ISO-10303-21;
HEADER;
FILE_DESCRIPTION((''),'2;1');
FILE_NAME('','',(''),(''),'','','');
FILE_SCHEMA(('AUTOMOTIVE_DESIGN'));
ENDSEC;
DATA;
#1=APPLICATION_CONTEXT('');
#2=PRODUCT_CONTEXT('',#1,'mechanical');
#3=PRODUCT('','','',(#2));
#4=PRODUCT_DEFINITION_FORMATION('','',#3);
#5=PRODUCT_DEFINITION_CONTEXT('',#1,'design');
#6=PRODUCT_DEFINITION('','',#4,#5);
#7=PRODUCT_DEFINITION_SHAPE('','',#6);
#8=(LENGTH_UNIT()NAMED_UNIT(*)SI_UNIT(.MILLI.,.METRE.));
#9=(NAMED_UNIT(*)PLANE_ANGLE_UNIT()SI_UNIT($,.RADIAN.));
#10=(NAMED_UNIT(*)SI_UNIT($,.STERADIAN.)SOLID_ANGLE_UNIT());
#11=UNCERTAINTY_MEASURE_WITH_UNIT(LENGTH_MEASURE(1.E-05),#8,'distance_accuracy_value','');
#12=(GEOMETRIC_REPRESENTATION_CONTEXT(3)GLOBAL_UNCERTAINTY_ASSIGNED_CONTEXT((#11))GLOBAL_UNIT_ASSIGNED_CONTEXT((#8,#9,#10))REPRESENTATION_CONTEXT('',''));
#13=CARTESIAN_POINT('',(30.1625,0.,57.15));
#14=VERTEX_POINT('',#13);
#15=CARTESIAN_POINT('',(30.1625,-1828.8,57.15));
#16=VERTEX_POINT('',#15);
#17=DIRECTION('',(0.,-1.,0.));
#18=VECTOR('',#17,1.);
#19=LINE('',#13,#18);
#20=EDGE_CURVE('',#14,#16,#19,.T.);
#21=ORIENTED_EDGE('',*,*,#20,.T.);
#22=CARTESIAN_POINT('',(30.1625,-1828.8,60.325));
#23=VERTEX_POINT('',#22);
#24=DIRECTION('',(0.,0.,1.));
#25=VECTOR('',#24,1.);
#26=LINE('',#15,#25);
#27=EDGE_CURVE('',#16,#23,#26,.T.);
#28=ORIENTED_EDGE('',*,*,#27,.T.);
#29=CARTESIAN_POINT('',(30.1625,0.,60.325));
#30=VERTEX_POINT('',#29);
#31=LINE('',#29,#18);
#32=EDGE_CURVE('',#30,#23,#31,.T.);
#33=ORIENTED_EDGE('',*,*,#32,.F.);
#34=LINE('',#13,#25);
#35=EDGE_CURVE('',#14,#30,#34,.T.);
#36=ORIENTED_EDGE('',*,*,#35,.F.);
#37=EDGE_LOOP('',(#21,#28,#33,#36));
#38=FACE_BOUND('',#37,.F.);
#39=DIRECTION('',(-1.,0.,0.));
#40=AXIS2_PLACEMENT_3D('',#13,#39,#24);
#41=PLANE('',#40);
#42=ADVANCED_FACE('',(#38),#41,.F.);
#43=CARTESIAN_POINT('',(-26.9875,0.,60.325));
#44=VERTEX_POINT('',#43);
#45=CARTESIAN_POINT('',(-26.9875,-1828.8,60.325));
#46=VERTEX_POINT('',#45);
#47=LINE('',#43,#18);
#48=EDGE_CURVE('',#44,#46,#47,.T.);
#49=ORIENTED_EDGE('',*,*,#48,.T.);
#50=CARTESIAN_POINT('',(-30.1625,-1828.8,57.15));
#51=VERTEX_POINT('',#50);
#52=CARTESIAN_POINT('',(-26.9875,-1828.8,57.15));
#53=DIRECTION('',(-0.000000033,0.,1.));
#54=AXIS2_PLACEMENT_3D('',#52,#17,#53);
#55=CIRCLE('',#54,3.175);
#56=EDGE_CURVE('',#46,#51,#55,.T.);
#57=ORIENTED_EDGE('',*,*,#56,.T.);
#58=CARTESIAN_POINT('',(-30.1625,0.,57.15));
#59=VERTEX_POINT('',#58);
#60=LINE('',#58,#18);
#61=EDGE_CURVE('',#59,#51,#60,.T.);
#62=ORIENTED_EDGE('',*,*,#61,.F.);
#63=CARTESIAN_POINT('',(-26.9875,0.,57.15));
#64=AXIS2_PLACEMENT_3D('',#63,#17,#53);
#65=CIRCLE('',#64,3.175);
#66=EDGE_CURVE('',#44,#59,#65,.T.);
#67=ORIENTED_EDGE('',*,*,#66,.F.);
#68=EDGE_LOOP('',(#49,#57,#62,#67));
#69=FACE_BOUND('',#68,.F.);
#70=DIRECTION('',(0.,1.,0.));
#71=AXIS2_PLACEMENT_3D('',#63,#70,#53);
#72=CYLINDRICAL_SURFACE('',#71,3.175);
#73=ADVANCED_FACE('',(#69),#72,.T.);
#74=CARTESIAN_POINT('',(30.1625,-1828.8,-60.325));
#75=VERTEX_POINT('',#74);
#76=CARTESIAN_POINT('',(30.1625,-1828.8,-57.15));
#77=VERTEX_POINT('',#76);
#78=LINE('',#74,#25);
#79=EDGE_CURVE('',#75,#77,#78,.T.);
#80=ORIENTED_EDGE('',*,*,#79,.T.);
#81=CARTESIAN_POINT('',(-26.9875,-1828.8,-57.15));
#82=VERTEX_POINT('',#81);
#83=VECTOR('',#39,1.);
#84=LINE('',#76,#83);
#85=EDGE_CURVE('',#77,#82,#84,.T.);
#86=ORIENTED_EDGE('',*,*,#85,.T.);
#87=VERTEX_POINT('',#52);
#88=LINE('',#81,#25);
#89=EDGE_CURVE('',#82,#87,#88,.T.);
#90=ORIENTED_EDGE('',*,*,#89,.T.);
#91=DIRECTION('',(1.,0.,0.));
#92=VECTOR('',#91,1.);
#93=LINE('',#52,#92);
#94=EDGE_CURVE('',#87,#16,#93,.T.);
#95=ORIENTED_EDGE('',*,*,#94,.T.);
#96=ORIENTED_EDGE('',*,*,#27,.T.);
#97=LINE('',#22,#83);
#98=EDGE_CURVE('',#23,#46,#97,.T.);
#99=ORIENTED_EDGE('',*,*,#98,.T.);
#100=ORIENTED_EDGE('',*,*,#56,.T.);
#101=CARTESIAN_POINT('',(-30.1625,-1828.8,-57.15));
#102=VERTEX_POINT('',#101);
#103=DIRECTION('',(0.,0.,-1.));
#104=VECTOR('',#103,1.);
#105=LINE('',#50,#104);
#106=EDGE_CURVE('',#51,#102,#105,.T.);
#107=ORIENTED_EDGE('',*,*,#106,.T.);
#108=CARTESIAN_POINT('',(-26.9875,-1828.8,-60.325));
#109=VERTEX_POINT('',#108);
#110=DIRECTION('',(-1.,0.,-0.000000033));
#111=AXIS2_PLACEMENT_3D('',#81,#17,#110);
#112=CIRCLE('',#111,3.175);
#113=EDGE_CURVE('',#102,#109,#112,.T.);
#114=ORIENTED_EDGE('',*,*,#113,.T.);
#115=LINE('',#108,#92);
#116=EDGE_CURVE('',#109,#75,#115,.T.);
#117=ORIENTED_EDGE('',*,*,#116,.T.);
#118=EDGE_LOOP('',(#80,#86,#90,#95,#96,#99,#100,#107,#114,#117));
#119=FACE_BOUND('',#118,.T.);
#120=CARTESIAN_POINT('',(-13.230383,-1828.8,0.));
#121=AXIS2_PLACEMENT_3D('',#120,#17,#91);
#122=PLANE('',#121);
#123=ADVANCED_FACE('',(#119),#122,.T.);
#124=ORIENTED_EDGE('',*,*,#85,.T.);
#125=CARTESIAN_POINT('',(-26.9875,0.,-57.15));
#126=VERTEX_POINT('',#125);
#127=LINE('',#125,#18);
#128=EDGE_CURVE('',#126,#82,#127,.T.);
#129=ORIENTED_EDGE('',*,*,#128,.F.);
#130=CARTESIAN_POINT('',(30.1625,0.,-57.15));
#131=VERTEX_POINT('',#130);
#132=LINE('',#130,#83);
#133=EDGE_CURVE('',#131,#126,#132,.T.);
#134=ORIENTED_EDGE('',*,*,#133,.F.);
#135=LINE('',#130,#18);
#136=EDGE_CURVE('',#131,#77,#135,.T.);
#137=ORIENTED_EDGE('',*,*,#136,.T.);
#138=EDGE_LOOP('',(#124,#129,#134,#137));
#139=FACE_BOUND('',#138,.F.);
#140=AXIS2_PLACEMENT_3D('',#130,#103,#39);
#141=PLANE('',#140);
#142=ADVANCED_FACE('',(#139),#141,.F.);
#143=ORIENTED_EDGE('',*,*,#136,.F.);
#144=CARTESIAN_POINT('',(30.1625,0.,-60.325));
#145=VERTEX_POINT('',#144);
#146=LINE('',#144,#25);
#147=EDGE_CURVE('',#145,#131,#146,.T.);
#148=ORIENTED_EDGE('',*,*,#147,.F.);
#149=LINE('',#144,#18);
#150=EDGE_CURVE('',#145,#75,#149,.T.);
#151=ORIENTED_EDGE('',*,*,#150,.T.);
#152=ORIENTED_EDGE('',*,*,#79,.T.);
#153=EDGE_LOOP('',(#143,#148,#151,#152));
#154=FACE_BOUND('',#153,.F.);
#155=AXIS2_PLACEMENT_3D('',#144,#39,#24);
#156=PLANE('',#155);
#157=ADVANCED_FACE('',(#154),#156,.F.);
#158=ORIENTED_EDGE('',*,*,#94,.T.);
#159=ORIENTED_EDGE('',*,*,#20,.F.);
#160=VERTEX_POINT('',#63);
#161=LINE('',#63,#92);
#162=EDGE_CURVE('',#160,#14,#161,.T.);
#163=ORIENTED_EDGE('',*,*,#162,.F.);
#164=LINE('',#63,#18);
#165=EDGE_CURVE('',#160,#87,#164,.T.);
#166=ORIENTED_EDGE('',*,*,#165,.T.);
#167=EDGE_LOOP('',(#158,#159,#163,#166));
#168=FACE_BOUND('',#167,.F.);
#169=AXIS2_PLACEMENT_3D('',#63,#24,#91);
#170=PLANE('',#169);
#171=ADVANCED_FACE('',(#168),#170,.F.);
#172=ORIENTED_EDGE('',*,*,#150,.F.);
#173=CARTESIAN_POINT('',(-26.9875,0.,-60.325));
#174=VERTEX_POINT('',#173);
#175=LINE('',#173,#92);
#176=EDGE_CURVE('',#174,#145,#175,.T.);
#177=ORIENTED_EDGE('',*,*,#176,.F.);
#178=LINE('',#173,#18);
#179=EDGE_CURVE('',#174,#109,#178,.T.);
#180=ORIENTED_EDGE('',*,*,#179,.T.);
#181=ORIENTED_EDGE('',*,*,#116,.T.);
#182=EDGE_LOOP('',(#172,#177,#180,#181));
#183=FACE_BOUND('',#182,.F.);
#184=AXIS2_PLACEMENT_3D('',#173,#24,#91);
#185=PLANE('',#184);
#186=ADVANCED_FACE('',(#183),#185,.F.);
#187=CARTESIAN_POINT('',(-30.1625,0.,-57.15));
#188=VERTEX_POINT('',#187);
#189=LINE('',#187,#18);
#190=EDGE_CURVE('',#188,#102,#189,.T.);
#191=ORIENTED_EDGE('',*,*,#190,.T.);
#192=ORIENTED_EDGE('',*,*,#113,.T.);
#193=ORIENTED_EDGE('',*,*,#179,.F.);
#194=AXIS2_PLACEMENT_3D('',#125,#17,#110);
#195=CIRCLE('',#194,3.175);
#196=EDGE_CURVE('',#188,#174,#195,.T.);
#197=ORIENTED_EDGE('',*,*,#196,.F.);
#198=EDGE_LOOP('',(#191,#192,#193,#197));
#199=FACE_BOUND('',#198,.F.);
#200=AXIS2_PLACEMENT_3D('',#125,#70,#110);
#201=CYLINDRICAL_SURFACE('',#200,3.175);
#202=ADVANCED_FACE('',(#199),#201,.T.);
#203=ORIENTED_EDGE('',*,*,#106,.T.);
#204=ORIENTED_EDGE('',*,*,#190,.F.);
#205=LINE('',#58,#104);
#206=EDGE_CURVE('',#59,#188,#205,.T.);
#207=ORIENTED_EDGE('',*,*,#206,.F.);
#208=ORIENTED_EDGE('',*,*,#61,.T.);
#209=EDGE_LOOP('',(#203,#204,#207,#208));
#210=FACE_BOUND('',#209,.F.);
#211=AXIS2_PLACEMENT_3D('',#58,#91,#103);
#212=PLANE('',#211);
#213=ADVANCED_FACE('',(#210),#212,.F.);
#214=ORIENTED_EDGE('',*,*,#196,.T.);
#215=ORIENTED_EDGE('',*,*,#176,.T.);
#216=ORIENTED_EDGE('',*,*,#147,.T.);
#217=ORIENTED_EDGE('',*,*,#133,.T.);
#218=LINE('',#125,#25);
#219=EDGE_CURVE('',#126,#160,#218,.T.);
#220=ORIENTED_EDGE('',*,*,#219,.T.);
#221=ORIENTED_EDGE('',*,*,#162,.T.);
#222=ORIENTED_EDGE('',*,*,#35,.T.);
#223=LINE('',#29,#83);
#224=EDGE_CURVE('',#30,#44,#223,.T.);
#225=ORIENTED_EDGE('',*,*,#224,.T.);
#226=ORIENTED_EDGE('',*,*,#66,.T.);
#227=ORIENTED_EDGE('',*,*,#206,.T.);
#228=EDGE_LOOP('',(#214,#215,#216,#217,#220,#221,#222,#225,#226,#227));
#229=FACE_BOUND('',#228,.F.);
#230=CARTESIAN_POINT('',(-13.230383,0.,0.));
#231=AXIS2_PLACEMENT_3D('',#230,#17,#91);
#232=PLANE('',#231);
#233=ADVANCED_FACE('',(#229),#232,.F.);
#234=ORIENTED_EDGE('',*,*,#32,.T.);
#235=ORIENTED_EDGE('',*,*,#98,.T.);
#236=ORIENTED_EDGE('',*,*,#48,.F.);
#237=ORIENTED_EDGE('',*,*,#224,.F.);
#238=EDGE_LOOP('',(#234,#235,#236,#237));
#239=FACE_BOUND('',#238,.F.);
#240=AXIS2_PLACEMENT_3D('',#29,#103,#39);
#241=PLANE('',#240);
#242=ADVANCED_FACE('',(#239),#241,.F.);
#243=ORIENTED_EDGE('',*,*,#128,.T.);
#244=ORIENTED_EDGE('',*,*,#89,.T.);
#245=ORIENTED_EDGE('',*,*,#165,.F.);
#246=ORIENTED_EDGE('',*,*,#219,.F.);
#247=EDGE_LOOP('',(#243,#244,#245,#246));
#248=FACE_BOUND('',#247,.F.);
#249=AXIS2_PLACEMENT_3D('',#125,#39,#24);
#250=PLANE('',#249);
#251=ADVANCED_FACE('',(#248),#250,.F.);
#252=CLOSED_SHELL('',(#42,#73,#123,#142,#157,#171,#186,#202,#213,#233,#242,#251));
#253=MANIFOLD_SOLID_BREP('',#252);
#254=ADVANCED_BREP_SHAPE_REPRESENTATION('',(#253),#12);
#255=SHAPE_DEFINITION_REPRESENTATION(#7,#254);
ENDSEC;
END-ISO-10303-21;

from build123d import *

# Parameters (mm, degrees)
F1_DEPTH = 1828.8


with BuildPart() as f1:
    # F0 (on Front) → F1 (new body)
    with BuildSketch(Plane.XZ):
        with BuildLine():
            Line((30.1625, 57.15), (30.1625, 60.325))
            Line((30.1625, 60.325), (-26.9875, 60.325))
            ThreePointArc((-26.9875, 60.325), (-29.232564, 59.395064), (-30.1625, 57.15))
            Line((-30.1625, 57.15), (-30.1625, -57.15))
            ThreePointArc((-30.1625, -57.15), (-29.232564, -59.395064), (-26.9875, -60.325))
            Line((-26.9875, -60.325), (30.1625, -60.325))
            Line((30.1625, -60.325), (30.1625, -57.15))
            Line((30.1625, -57.15), (-26.9875, -57.15))
            Line((-26.9875, -57.15), (-26.9875, 57.15))
            Line((-26.9875, 57.15), (30.1625, 57.15))
        make_face()
    extrude(amount=F1_DEPTH)


solid = f1.part
